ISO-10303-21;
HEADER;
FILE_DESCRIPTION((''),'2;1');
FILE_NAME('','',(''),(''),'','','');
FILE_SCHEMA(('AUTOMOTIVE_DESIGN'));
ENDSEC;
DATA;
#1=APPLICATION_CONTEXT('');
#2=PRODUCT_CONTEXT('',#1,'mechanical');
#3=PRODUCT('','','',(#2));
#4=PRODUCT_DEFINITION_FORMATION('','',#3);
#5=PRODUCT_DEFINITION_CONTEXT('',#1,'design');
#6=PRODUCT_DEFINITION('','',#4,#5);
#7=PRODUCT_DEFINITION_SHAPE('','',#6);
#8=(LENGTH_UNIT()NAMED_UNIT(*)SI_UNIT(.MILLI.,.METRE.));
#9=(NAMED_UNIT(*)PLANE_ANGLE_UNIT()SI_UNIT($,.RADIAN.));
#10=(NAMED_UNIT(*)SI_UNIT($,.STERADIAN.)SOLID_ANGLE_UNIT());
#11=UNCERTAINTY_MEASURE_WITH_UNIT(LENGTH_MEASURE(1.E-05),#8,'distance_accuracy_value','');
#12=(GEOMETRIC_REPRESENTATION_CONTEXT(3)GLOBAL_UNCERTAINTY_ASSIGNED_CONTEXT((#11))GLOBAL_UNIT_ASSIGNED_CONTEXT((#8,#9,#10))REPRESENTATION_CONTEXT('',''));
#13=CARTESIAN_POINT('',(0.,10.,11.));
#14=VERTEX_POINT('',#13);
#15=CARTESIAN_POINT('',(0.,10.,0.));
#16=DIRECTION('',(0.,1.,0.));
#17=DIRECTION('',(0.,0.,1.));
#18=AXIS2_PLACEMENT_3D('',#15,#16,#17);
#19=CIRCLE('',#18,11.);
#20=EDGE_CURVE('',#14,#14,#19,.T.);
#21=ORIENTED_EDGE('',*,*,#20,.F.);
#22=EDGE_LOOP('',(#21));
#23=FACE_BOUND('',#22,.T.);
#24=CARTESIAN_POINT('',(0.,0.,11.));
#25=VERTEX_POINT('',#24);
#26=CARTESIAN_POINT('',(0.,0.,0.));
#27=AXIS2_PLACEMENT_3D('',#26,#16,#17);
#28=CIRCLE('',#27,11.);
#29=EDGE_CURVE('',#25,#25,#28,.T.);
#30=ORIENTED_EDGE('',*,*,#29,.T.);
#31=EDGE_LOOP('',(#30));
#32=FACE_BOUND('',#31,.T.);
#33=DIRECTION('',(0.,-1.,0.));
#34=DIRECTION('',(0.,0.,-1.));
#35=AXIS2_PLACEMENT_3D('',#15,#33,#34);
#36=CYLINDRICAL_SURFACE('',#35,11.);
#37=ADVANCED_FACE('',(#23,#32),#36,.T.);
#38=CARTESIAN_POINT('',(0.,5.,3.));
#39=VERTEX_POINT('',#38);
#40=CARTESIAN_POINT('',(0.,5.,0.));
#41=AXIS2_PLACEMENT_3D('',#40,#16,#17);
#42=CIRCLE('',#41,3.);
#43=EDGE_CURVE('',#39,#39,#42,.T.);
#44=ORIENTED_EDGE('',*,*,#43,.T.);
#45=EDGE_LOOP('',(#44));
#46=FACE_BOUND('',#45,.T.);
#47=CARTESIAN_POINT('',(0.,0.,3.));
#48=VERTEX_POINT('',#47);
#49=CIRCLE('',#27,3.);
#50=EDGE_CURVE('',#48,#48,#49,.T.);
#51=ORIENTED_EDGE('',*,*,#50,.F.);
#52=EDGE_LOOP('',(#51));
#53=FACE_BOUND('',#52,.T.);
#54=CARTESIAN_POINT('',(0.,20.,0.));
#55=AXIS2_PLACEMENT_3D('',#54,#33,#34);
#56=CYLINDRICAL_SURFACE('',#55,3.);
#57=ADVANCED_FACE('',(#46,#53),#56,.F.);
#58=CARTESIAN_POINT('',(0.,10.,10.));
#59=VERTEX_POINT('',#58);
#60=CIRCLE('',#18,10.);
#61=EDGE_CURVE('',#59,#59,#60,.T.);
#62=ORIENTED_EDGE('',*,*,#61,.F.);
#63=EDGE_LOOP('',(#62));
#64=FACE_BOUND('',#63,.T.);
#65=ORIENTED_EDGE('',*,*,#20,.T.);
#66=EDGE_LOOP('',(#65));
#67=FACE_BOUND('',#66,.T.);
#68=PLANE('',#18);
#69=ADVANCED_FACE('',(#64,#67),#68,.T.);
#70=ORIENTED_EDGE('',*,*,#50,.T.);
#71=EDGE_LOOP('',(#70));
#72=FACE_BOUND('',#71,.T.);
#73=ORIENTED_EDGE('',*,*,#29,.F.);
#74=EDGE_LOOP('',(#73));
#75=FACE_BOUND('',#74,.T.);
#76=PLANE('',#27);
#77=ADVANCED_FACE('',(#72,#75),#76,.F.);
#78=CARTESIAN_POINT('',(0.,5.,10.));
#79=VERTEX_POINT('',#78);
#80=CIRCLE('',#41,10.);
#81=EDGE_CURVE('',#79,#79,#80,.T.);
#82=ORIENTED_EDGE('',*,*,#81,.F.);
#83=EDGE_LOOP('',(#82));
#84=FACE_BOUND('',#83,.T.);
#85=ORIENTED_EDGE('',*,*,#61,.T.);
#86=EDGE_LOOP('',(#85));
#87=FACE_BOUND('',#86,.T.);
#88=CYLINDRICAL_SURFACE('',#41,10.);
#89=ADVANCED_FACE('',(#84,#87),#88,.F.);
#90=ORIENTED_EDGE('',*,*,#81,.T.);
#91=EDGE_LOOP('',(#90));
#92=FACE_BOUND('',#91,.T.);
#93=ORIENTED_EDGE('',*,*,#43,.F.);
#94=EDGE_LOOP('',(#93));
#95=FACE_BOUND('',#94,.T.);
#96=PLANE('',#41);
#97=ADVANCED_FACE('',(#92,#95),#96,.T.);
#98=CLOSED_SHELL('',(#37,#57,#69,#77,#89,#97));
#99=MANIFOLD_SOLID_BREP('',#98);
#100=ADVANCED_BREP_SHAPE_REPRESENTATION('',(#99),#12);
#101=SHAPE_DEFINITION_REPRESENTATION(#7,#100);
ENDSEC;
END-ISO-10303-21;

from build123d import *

# Parameters (mm, degrees)
SKETCH1_R           = 11
BOSS_EXTRUDE1_DEPTH = 10
SKETCH2_R           = 3
CUT_EXTRUDE1_DEPTH  = 20
SKETCH5_R           = 10
CUT_EXTRUDE3_DEPTH  = 5


with BuildPart() as part:
    # Sketch1 → Boss-Extrude1 (new body)
    with BuildSketch(Plane(origin=(0, 0, 0), x_dir=(1, 0, 0), z_dir=(0, 1, 0))):
        with Locations(Location((0, 0, 0), (0, 0, 270))):
            Circle(SKETCH1_R)
    extrude(amount=BOSS_EXTRUDE1_DEPTH)

    # Sketch2 → Cut-Extrude1 (cut)
    with BuildSketch(Plane(origin=(0, 0, 0), x_dir=(1, 0, 0), z_dir=(0, 1, 0))):
        with Locations(Location((0, 0, 0), (0, 0, 270))):
            Circle(SKETCH2_R)
    extrude(amount=CUT_EXTRUDE1_DEPTH, mode=Mode.SUBTRACT)

    # Sketch5 → Cut-Extrude3 (cut)
    with BuildSketch(Plane(origin=(0, 10, 0), x_dir=(1, 0, 0), z_dir=(0, 1, 0))):
        with Locations(Location((0, 0, 0), (0, 0, 270))):
            Circle(SKETCH5_R)
    extrude(amount=-CUT_EXTRUDE3_DEPTH, mode=Mode.SUBTRACT)


solid = part.part
